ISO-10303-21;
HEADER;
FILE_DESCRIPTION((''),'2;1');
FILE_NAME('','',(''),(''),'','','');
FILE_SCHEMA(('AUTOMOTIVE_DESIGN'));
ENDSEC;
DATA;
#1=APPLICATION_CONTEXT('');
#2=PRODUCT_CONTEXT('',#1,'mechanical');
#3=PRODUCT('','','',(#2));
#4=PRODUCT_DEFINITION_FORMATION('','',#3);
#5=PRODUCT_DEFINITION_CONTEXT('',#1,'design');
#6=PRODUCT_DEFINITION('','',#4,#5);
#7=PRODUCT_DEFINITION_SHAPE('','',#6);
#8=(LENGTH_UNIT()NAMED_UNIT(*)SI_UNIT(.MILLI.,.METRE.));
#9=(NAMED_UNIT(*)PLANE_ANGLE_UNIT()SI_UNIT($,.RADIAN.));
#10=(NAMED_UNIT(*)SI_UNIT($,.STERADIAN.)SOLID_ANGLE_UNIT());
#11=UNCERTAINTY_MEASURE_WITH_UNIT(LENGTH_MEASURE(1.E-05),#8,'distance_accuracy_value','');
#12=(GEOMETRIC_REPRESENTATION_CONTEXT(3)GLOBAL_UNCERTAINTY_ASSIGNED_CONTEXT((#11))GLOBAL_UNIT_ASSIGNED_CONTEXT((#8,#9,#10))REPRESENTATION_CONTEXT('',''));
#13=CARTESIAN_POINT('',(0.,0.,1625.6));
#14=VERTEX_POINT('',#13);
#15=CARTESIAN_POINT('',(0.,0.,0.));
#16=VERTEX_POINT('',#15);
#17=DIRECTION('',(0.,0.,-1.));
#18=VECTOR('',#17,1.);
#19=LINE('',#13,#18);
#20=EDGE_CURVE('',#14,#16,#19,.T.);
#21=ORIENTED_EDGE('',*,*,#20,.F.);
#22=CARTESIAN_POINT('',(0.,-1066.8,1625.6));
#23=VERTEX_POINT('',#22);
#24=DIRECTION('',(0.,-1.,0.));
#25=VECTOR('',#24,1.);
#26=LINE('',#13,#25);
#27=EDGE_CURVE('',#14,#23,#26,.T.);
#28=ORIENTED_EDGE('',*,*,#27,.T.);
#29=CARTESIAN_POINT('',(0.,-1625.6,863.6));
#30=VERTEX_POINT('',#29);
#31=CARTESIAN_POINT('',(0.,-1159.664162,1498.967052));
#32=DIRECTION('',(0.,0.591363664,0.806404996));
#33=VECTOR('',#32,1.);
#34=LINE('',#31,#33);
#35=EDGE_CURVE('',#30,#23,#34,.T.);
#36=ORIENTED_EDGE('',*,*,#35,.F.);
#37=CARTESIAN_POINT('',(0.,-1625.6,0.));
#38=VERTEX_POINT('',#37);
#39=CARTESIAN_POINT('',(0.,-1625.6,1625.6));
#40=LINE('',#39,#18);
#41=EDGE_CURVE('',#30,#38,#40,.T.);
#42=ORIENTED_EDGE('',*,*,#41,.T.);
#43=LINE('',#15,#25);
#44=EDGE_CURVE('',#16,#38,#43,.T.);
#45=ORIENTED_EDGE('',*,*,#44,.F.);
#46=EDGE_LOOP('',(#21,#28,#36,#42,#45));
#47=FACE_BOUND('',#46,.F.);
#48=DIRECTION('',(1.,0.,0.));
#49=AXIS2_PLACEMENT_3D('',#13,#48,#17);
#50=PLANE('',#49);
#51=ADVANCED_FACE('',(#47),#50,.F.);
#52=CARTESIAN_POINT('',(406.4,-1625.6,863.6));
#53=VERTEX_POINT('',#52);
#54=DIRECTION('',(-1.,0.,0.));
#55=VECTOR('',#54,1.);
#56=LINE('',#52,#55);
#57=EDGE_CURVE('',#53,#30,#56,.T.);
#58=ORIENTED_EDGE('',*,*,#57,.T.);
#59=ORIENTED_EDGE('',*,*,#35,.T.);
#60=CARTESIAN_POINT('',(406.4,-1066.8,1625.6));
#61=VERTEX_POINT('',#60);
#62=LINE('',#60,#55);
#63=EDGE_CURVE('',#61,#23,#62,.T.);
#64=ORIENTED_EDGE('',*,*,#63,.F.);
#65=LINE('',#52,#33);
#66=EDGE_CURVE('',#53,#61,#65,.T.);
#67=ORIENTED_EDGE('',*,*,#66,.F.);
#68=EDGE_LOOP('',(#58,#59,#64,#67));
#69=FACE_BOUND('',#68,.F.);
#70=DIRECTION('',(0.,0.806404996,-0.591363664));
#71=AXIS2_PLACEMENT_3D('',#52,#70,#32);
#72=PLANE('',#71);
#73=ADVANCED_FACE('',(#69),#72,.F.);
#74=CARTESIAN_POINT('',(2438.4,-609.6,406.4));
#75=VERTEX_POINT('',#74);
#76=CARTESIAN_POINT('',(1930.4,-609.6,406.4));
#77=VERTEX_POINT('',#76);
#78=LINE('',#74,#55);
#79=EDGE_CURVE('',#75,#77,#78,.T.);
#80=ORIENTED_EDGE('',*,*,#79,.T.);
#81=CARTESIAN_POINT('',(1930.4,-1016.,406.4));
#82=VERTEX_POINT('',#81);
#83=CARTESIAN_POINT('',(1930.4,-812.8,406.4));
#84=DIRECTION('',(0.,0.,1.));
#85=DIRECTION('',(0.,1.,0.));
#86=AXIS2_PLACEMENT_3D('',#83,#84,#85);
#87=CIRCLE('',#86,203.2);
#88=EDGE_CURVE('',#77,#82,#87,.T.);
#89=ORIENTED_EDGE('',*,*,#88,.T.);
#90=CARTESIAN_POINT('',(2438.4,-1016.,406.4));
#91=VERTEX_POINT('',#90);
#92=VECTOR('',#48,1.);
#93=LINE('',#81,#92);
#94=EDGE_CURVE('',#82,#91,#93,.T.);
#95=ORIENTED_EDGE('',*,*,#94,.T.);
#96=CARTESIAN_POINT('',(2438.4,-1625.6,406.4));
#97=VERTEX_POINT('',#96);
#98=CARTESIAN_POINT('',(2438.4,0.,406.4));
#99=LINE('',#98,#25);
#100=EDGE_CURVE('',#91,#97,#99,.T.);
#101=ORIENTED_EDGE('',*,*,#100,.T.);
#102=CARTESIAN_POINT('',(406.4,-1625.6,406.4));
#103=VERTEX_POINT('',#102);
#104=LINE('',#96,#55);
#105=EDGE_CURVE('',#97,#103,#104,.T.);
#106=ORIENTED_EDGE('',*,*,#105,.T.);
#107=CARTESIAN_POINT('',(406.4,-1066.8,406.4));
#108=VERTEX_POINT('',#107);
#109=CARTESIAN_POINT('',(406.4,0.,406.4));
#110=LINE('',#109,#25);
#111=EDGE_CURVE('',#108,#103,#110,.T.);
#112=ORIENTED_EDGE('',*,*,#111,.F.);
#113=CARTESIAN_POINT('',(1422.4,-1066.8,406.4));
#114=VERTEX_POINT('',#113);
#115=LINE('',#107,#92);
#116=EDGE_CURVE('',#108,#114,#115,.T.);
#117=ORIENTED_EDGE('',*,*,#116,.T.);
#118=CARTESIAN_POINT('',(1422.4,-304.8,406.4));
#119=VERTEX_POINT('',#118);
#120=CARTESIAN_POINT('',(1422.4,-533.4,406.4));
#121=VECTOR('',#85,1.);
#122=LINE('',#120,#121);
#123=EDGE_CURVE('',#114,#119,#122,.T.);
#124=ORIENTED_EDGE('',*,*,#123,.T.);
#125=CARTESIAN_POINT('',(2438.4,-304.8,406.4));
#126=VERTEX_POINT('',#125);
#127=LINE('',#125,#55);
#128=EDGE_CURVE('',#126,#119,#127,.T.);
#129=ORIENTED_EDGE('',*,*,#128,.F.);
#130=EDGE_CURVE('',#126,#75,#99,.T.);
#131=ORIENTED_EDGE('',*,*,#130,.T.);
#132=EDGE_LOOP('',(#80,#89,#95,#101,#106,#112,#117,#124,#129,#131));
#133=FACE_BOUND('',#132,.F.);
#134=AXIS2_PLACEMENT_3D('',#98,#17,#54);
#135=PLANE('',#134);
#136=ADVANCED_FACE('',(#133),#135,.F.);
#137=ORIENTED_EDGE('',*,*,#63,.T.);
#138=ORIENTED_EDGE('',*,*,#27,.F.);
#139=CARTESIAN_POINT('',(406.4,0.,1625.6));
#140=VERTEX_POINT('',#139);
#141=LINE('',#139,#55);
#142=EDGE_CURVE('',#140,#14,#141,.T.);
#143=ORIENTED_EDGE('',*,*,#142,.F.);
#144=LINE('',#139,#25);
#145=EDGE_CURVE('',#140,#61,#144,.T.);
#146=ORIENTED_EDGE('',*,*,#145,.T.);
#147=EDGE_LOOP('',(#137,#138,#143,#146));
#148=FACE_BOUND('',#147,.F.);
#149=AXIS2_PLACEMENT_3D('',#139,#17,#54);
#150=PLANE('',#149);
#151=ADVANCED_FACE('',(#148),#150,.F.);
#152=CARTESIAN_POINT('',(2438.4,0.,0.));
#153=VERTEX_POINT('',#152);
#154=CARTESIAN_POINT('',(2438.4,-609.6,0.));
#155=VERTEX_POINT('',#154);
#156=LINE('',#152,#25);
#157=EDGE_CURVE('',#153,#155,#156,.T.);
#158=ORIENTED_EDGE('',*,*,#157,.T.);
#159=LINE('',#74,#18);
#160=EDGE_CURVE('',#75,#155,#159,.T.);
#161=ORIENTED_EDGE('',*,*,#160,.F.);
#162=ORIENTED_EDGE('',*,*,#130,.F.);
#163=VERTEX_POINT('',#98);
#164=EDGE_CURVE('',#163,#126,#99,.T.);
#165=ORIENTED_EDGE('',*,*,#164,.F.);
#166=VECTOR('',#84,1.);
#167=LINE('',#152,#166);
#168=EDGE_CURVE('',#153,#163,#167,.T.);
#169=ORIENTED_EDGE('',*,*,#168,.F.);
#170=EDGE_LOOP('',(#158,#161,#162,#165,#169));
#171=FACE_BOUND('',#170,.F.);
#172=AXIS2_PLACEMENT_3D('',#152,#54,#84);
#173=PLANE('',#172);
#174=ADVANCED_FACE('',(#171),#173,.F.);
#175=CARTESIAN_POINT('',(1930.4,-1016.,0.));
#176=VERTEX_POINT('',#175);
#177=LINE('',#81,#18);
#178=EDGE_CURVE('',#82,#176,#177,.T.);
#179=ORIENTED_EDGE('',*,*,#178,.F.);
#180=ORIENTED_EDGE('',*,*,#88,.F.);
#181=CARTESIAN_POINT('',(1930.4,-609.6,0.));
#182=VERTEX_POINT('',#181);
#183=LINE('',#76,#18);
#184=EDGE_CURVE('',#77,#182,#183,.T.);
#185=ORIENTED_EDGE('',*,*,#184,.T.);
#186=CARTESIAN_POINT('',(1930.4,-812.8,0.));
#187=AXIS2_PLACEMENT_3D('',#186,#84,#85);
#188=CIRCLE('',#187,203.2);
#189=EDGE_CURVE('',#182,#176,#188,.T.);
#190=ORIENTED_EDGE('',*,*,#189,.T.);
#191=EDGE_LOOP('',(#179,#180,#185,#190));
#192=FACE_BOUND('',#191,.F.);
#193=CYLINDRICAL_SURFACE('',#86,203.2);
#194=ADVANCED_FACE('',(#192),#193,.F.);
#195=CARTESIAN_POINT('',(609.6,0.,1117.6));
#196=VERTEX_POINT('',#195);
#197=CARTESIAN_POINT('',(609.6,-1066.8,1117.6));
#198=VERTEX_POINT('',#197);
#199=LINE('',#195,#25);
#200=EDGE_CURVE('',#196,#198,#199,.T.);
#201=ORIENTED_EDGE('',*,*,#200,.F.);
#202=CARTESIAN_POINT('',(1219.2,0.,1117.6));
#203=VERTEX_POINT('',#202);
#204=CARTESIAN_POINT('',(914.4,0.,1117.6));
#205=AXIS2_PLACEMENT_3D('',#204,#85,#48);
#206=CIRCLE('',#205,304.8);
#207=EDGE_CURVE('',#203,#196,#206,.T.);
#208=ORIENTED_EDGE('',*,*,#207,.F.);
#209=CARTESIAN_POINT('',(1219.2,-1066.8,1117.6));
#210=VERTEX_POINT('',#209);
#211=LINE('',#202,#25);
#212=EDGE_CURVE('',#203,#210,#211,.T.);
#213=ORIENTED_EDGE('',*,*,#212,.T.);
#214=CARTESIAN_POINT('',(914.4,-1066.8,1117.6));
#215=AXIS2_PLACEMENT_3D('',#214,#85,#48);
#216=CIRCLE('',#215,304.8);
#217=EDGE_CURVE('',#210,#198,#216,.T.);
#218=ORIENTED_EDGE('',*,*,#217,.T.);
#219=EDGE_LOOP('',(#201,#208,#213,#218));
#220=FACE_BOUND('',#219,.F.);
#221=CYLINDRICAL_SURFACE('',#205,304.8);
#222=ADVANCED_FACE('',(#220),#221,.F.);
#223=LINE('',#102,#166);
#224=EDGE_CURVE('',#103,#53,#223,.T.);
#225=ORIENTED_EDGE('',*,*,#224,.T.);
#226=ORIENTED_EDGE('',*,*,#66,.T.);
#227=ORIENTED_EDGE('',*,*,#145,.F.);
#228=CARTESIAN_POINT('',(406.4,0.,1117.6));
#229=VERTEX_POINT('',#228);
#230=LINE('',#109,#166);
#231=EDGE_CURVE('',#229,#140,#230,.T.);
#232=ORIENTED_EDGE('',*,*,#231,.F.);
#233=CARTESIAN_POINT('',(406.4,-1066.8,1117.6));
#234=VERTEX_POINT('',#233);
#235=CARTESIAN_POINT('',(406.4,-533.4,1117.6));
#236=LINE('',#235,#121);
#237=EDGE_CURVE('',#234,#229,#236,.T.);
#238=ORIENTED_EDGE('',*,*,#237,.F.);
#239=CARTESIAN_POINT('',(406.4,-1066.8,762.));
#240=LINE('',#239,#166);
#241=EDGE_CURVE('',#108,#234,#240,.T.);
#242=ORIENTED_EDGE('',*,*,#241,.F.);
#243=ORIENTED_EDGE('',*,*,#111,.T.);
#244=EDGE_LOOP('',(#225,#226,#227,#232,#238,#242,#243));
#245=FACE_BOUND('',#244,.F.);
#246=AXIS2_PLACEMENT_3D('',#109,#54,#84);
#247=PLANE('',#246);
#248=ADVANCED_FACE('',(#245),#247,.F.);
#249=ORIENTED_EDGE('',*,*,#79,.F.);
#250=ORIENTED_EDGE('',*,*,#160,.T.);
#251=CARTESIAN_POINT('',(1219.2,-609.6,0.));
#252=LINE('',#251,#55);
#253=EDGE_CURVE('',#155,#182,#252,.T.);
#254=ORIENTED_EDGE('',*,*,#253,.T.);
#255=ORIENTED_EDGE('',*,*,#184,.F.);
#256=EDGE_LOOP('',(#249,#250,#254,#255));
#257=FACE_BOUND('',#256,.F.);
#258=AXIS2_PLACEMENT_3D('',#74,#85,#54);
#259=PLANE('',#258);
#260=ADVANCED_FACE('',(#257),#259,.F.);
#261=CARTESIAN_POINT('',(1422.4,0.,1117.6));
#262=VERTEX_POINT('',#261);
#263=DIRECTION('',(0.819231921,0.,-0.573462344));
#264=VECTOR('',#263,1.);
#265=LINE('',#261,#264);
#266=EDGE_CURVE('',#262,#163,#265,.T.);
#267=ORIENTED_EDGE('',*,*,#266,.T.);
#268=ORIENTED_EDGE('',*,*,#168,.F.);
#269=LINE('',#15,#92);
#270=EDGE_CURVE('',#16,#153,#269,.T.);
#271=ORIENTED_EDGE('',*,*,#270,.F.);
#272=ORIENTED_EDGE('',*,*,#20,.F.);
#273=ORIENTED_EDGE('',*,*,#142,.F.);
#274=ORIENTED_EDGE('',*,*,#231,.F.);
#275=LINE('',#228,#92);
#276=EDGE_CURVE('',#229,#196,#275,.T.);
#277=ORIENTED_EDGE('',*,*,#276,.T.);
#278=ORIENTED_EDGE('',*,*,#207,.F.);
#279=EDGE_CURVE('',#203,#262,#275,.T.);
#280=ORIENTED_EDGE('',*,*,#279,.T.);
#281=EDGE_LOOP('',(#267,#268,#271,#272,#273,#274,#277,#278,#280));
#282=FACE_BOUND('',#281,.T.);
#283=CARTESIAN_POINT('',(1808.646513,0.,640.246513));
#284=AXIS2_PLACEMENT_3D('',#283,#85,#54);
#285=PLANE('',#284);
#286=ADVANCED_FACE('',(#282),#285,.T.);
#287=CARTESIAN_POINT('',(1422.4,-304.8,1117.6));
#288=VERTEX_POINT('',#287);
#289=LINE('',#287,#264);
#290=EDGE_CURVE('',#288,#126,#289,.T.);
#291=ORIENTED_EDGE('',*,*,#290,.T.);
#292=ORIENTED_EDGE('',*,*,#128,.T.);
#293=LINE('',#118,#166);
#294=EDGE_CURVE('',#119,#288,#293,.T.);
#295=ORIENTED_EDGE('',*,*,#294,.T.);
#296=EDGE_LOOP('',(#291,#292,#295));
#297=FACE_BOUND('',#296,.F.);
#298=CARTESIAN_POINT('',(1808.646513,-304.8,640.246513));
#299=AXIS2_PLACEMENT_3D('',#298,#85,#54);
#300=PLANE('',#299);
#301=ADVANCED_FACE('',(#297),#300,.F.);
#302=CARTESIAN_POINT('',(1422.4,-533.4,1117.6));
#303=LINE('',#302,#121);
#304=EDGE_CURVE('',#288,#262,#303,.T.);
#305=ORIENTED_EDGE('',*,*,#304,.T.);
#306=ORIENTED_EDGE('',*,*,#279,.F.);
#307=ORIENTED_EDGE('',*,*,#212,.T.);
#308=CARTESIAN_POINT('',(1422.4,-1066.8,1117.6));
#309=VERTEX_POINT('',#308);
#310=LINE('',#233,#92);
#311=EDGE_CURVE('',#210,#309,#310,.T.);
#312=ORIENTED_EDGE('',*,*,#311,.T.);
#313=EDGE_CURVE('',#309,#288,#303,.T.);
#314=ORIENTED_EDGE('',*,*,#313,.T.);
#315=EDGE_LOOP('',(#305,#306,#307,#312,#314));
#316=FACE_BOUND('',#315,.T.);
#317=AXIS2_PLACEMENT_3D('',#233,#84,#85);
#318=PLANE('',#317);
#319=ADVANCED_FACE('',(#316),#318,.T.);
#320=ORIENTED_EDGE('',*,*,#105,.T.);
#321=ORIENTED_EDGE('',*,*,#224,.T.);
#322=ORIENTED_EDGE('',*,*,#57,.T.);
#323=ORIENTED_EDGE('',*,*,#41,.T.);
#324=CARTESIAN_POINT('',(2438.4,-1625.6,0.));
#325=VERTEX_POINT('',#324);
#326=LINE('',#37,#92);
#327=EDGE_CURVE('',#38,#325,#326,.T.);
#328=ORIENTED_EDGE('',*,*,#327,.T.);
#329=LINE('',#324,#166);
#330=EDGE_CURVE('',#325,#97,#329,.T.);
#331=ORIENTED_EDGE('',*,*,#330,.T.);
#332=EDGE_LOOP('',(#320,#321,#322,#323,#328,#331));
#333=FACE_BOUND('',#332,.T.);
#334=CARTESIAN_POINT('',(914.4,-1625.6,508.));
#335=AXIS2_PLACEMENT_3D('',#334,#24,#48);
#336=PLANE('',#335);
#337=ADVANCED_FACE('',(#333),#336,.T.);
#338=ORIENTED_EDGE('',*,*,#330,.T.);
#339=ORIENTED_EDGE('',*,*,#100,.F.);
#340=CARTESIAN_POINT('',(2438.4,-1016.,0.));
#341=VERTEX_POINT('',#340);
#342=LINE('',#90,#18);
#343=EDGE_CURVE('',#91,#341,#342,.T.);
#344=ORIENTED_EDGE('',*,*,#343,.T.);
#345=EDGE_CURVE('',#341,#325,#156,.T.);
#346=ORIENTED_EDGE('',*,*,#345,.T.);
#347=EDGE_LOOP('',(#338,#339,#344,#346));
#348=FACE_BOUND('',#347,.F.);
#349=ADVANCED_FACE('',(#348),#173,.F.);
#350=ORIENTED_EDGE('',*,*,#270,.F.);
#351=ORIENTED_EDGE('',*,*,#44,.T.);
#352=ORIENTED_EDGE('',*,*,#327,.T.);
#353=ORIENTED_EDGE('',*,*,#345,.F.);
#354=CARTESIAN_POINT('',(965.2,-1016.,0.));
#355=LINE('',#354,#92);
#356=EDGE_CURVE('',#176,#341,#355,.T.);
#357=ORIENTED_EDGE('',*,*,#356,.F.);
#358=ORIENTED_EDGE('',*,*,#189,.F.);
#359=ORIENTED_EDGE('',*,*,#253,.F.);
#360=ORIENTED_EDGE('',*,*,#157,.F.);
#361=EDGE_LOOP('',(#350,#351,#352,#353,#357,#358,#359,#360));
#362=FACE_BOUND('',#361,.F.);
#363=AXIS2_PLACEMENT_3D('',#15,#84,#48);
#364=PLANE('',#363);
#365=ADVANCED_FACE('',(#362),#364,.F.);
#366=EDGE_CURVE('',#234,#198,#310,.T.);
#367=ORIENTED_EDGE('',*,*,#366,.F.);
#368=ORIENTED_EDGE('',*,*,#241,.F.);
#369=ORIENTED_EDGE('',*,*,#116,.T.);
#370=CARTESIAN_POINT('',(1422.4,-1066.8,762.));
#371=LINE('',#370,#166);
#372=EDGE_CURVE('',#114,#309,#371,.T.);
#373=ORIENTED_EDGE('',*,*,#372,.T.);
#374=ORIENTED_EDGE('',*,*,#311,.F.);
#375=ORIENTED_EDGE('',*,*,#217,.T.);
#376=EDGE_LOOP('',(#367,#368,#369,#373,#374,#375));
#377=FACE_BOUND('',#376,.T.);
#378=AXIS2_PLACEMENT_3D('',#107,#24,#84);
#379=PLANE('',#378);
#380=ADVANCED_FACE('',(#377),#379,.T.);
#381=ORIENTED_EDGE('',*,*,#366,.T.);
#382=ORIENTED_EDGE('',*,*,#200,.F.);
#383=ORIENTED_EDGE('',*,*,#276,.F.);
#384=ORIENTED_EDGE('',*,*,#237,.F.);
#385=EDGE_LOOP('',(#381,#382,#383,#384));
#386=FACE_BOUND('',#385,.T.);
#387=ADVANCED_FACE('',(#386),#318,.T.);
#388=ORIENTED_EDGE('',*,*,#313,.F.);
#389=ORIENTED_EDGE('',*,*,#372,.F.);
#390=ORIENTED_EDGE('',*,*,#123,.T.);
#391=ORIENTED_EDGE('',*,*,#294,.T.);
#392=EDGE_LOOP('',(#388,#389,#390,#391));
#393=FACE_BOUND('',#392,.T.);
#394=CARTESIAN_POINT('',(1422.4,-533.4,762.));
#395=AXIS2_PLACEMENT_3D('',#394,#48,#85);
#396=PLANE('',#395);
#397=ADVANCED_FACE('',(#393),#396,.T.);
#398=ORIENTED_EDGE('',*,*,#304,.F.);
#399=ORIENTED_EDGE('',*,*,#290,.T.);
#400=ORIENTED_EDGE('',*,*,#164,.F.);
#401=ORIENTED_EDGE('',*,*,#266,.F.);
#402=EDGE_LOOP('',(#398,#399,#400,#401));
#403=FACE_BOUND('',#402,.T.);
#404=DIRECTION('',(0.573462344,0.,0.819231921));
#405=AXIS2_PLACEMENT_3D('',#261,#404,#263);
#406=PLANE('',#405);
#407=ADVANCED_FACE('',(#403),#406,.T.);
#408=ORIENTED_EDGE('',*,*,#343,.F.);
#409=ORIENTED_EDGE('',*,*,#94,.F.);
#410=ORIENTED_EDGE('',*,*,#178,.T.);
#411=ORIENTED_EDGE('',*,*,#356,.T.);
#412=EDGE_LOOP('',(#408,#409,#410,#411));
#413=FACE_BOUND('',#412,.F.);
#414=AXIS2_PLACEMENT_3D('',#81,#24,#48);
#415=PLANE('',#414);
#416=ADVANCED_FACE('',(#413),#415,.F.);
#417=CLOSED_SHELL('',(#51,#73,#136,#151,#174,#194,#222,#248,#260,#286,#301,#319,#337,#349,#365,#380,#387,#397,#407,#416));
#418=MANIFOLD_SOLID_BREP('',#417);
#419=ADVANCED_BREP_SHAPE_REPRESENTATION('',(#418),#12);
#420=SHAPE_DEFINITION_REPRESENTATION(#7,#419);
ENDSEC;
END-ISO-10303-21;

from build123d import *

# Parameters (mm, degrees)
F1_DEPTH  = 1625.6
F3_DEPTH  = 406.401
F5_W      = 1066.8
F5_H      = 711.2
F6_DEPTH  = 1016
F8_DEPTH  = 1625.601
F10_DEPTH = 304.8
F12_DEPTH = 406.401


with BuildPart() as f1:
    # F0 (on Front) → F1 (new body)
    with BuildSketch(Plane.XZ):
        Polygon((0, 1625.6), (0, 0), (2438.4, 0), (2438.4, 406.4), (406.4, 406.4), (406.4, 1625.6), align=None)
    extrude(amount=F1_DEPTH)

    # F2 (on face) → F3 (cut, through all)
    with BuildSketch(Plane.XY.offset(406.4)):
        with BuildLine():
            Line((2438.4, -1016), (2438.4, -609.6))
            Line((2438.4, -609.6), (1930.4, -609.6))
            ThreePointArc((1930.4, -609.6), (1727.2, -812.8), (1930.4, -1016))
            Line((1930.4, -1016), (2438.4, -1016))
        make_face()
    extrude(amount=-F3_DEPTH, mode=Mode.SUBTRACT)

    # F5 (on face) → F6 (join)
    with BuildSketch(Plane.YZ.offset(406.4)):
        with Locations((-533.4, 762)):
            Rectangle(F5_W, F5_H)
    extrude(amount=F6_DEPTH)

    # F7 (on face) → F8 (cut, through all)
    with BuildSketch(Plane(origin=(0, 0, 0), x_dir=(-1, 0, 0), z_dir=(0, 1, 0))):
        with BuildLine():
            Line((-914.4, 1117.6), (-1219.2, 1117.6))
            ThreePointArc((-1219.2, 1117.6), (-914.4, 812.8), (-609.6, 1117.6))
            Line((-609.6, 1117.6), (-914.4, 1117.6))
        make_face()
    extrude(amount=-F8_DEPTH, mode=Mode.SUBTRACT)

    # F9 (on face) → F10 (join)
    with BuildSketch(Plane(origin=(0, 0, 0), x_dir=(-1, 0, 0), z_dir=(0, 1, 0))):
        Polygon((-1422.4, 406.4), (-1422.4, 1117.6), (-2438.4, 406.4), align=None)
    extrude(amount=-F10_DEPTH)

    # F11 (on face) → F12 (cut, through all)
    with BuildSketch(Plane.YZ.offset(406.4)):
        Polygon((-1625.6, 1625.6), (-1625.6, 863.6), (-1066.8, 1625.6), align=None)
    extrude(amount=-F12_DEPTH, mode=Mode.SUBTRACT)


solid = f1.part
